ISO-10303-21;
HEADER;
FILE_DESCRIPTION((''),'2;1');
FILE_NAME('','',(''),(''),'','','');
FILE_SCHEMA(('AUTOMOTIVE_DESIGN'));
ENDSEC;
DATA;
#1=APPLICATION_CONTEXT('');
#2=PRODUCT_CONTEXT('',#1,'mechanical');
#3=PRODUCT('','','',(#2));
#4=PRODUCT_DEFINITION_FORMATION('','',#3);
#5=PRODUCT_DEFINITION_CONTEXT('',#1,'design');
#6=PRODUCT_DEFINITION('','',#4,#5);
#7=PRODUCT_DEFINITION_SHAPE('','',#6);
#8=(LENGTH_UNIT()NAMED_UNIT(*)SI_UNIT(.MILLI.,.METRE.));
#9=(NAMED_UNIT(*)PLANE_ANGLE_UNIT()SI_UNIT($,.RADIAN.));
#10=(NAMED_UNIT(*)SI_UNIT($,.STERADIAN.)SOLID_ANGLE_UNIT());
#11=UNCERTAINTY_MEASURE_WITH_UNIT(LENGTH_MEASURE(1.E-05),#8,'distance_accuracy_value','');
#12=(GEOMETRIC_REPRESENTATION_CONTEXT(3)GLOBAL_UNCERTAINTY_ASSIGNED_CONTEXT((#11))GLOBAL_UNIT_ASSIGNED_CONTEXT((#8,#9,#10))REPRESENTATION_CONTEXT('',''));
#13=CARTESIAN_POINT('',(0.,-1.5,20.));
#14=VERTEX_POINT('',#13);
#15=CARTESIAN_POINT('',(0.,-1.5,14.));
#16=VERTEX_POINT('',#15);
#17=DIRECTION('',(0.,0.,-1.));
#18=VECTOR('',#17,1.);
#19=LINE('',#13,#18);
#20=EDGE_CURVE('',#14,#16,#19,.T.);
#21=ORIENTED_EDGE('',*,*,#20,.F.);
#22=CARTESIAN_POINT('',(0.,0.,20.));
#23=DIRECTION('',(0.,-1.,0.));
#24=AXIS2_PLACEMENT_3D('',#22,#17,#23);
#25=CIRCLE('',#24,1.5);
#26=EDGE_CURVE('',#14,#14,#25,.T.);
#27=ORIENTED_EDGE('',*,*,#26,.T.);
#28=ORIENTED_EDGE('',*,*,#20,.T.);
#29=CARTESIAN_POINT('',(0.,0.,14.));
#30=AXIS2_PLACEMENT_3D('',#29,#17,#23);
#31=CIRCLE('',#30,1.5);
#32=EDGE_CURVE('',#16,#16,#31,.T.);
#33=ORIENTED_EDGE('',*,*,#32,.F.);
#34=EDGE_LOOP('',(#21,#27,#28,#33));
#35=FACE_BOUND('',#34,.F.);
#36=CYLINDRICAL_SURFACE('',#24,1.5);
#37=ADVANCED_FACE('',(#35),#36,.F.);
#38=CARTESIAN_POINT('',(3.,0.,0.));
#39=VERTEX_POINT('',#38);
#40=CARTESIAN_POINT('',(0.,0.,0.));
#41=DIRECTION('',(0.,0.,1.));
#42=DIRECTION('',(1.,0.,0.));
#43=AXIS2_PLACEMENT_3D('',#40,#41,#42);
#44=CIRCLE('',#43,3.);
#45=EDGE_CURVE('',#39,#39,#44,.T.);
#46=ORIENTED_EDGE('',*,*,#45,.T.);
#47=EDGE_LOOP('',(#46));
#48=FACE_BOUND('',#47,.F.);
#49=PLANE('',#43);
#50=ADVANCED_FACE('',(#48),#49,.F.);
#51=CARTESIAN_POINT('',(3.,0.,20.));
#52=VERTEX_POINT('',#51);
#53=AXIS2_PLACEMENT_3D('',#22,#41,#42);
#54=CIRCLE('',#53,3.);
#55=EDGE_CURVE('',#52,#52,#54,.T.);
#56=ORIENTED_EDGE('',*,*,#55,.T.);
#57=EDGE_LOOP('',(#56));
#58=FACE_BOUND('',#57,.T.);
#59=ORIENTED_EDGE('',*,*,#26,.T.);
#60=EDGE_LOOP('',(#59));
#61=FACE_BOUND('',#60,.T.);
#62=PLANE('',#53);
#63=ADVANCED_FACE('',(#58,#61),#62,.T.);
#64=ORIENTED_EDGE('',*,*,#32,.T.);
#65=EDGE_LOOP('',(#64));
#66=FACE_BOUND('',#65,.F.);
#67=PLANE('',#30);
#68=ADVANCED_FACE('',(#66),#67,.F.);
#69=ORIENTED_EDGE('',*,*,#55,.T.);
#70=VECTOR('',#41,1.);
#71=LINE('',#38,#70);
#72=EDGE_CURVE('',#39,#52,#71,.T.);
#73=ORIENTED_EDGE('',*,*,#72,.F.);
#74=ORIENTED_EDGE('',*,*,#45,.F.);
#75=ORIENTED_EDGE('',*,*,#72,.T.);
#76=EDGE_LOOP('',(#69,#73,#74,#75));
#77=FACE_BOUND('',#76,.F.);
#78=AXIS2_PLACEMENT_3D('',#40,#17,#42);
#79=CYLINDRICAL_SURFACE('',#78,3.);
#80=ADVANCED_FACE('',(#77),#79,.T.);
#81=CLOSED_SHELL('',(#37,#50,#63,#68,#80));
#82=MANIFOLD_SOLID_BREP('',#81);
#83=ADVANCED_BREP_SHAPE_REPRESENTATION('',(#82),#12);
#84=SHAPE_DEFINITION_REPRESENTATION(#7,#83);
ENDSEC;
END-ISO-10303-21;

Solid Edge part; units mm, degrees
sketch "Sketch1" plane through (0, 0, 0) normal (0, 0, 1) x (1, 0, 0)
  circle A0 centre (0, 0) radius 3
extrude "Protrusion1" add sketch "Sketch1" along normal blind 20
hole "Bohrung_1" at (0, 0, 20) direction (0, 0, -1) diameter 3 depth 6
